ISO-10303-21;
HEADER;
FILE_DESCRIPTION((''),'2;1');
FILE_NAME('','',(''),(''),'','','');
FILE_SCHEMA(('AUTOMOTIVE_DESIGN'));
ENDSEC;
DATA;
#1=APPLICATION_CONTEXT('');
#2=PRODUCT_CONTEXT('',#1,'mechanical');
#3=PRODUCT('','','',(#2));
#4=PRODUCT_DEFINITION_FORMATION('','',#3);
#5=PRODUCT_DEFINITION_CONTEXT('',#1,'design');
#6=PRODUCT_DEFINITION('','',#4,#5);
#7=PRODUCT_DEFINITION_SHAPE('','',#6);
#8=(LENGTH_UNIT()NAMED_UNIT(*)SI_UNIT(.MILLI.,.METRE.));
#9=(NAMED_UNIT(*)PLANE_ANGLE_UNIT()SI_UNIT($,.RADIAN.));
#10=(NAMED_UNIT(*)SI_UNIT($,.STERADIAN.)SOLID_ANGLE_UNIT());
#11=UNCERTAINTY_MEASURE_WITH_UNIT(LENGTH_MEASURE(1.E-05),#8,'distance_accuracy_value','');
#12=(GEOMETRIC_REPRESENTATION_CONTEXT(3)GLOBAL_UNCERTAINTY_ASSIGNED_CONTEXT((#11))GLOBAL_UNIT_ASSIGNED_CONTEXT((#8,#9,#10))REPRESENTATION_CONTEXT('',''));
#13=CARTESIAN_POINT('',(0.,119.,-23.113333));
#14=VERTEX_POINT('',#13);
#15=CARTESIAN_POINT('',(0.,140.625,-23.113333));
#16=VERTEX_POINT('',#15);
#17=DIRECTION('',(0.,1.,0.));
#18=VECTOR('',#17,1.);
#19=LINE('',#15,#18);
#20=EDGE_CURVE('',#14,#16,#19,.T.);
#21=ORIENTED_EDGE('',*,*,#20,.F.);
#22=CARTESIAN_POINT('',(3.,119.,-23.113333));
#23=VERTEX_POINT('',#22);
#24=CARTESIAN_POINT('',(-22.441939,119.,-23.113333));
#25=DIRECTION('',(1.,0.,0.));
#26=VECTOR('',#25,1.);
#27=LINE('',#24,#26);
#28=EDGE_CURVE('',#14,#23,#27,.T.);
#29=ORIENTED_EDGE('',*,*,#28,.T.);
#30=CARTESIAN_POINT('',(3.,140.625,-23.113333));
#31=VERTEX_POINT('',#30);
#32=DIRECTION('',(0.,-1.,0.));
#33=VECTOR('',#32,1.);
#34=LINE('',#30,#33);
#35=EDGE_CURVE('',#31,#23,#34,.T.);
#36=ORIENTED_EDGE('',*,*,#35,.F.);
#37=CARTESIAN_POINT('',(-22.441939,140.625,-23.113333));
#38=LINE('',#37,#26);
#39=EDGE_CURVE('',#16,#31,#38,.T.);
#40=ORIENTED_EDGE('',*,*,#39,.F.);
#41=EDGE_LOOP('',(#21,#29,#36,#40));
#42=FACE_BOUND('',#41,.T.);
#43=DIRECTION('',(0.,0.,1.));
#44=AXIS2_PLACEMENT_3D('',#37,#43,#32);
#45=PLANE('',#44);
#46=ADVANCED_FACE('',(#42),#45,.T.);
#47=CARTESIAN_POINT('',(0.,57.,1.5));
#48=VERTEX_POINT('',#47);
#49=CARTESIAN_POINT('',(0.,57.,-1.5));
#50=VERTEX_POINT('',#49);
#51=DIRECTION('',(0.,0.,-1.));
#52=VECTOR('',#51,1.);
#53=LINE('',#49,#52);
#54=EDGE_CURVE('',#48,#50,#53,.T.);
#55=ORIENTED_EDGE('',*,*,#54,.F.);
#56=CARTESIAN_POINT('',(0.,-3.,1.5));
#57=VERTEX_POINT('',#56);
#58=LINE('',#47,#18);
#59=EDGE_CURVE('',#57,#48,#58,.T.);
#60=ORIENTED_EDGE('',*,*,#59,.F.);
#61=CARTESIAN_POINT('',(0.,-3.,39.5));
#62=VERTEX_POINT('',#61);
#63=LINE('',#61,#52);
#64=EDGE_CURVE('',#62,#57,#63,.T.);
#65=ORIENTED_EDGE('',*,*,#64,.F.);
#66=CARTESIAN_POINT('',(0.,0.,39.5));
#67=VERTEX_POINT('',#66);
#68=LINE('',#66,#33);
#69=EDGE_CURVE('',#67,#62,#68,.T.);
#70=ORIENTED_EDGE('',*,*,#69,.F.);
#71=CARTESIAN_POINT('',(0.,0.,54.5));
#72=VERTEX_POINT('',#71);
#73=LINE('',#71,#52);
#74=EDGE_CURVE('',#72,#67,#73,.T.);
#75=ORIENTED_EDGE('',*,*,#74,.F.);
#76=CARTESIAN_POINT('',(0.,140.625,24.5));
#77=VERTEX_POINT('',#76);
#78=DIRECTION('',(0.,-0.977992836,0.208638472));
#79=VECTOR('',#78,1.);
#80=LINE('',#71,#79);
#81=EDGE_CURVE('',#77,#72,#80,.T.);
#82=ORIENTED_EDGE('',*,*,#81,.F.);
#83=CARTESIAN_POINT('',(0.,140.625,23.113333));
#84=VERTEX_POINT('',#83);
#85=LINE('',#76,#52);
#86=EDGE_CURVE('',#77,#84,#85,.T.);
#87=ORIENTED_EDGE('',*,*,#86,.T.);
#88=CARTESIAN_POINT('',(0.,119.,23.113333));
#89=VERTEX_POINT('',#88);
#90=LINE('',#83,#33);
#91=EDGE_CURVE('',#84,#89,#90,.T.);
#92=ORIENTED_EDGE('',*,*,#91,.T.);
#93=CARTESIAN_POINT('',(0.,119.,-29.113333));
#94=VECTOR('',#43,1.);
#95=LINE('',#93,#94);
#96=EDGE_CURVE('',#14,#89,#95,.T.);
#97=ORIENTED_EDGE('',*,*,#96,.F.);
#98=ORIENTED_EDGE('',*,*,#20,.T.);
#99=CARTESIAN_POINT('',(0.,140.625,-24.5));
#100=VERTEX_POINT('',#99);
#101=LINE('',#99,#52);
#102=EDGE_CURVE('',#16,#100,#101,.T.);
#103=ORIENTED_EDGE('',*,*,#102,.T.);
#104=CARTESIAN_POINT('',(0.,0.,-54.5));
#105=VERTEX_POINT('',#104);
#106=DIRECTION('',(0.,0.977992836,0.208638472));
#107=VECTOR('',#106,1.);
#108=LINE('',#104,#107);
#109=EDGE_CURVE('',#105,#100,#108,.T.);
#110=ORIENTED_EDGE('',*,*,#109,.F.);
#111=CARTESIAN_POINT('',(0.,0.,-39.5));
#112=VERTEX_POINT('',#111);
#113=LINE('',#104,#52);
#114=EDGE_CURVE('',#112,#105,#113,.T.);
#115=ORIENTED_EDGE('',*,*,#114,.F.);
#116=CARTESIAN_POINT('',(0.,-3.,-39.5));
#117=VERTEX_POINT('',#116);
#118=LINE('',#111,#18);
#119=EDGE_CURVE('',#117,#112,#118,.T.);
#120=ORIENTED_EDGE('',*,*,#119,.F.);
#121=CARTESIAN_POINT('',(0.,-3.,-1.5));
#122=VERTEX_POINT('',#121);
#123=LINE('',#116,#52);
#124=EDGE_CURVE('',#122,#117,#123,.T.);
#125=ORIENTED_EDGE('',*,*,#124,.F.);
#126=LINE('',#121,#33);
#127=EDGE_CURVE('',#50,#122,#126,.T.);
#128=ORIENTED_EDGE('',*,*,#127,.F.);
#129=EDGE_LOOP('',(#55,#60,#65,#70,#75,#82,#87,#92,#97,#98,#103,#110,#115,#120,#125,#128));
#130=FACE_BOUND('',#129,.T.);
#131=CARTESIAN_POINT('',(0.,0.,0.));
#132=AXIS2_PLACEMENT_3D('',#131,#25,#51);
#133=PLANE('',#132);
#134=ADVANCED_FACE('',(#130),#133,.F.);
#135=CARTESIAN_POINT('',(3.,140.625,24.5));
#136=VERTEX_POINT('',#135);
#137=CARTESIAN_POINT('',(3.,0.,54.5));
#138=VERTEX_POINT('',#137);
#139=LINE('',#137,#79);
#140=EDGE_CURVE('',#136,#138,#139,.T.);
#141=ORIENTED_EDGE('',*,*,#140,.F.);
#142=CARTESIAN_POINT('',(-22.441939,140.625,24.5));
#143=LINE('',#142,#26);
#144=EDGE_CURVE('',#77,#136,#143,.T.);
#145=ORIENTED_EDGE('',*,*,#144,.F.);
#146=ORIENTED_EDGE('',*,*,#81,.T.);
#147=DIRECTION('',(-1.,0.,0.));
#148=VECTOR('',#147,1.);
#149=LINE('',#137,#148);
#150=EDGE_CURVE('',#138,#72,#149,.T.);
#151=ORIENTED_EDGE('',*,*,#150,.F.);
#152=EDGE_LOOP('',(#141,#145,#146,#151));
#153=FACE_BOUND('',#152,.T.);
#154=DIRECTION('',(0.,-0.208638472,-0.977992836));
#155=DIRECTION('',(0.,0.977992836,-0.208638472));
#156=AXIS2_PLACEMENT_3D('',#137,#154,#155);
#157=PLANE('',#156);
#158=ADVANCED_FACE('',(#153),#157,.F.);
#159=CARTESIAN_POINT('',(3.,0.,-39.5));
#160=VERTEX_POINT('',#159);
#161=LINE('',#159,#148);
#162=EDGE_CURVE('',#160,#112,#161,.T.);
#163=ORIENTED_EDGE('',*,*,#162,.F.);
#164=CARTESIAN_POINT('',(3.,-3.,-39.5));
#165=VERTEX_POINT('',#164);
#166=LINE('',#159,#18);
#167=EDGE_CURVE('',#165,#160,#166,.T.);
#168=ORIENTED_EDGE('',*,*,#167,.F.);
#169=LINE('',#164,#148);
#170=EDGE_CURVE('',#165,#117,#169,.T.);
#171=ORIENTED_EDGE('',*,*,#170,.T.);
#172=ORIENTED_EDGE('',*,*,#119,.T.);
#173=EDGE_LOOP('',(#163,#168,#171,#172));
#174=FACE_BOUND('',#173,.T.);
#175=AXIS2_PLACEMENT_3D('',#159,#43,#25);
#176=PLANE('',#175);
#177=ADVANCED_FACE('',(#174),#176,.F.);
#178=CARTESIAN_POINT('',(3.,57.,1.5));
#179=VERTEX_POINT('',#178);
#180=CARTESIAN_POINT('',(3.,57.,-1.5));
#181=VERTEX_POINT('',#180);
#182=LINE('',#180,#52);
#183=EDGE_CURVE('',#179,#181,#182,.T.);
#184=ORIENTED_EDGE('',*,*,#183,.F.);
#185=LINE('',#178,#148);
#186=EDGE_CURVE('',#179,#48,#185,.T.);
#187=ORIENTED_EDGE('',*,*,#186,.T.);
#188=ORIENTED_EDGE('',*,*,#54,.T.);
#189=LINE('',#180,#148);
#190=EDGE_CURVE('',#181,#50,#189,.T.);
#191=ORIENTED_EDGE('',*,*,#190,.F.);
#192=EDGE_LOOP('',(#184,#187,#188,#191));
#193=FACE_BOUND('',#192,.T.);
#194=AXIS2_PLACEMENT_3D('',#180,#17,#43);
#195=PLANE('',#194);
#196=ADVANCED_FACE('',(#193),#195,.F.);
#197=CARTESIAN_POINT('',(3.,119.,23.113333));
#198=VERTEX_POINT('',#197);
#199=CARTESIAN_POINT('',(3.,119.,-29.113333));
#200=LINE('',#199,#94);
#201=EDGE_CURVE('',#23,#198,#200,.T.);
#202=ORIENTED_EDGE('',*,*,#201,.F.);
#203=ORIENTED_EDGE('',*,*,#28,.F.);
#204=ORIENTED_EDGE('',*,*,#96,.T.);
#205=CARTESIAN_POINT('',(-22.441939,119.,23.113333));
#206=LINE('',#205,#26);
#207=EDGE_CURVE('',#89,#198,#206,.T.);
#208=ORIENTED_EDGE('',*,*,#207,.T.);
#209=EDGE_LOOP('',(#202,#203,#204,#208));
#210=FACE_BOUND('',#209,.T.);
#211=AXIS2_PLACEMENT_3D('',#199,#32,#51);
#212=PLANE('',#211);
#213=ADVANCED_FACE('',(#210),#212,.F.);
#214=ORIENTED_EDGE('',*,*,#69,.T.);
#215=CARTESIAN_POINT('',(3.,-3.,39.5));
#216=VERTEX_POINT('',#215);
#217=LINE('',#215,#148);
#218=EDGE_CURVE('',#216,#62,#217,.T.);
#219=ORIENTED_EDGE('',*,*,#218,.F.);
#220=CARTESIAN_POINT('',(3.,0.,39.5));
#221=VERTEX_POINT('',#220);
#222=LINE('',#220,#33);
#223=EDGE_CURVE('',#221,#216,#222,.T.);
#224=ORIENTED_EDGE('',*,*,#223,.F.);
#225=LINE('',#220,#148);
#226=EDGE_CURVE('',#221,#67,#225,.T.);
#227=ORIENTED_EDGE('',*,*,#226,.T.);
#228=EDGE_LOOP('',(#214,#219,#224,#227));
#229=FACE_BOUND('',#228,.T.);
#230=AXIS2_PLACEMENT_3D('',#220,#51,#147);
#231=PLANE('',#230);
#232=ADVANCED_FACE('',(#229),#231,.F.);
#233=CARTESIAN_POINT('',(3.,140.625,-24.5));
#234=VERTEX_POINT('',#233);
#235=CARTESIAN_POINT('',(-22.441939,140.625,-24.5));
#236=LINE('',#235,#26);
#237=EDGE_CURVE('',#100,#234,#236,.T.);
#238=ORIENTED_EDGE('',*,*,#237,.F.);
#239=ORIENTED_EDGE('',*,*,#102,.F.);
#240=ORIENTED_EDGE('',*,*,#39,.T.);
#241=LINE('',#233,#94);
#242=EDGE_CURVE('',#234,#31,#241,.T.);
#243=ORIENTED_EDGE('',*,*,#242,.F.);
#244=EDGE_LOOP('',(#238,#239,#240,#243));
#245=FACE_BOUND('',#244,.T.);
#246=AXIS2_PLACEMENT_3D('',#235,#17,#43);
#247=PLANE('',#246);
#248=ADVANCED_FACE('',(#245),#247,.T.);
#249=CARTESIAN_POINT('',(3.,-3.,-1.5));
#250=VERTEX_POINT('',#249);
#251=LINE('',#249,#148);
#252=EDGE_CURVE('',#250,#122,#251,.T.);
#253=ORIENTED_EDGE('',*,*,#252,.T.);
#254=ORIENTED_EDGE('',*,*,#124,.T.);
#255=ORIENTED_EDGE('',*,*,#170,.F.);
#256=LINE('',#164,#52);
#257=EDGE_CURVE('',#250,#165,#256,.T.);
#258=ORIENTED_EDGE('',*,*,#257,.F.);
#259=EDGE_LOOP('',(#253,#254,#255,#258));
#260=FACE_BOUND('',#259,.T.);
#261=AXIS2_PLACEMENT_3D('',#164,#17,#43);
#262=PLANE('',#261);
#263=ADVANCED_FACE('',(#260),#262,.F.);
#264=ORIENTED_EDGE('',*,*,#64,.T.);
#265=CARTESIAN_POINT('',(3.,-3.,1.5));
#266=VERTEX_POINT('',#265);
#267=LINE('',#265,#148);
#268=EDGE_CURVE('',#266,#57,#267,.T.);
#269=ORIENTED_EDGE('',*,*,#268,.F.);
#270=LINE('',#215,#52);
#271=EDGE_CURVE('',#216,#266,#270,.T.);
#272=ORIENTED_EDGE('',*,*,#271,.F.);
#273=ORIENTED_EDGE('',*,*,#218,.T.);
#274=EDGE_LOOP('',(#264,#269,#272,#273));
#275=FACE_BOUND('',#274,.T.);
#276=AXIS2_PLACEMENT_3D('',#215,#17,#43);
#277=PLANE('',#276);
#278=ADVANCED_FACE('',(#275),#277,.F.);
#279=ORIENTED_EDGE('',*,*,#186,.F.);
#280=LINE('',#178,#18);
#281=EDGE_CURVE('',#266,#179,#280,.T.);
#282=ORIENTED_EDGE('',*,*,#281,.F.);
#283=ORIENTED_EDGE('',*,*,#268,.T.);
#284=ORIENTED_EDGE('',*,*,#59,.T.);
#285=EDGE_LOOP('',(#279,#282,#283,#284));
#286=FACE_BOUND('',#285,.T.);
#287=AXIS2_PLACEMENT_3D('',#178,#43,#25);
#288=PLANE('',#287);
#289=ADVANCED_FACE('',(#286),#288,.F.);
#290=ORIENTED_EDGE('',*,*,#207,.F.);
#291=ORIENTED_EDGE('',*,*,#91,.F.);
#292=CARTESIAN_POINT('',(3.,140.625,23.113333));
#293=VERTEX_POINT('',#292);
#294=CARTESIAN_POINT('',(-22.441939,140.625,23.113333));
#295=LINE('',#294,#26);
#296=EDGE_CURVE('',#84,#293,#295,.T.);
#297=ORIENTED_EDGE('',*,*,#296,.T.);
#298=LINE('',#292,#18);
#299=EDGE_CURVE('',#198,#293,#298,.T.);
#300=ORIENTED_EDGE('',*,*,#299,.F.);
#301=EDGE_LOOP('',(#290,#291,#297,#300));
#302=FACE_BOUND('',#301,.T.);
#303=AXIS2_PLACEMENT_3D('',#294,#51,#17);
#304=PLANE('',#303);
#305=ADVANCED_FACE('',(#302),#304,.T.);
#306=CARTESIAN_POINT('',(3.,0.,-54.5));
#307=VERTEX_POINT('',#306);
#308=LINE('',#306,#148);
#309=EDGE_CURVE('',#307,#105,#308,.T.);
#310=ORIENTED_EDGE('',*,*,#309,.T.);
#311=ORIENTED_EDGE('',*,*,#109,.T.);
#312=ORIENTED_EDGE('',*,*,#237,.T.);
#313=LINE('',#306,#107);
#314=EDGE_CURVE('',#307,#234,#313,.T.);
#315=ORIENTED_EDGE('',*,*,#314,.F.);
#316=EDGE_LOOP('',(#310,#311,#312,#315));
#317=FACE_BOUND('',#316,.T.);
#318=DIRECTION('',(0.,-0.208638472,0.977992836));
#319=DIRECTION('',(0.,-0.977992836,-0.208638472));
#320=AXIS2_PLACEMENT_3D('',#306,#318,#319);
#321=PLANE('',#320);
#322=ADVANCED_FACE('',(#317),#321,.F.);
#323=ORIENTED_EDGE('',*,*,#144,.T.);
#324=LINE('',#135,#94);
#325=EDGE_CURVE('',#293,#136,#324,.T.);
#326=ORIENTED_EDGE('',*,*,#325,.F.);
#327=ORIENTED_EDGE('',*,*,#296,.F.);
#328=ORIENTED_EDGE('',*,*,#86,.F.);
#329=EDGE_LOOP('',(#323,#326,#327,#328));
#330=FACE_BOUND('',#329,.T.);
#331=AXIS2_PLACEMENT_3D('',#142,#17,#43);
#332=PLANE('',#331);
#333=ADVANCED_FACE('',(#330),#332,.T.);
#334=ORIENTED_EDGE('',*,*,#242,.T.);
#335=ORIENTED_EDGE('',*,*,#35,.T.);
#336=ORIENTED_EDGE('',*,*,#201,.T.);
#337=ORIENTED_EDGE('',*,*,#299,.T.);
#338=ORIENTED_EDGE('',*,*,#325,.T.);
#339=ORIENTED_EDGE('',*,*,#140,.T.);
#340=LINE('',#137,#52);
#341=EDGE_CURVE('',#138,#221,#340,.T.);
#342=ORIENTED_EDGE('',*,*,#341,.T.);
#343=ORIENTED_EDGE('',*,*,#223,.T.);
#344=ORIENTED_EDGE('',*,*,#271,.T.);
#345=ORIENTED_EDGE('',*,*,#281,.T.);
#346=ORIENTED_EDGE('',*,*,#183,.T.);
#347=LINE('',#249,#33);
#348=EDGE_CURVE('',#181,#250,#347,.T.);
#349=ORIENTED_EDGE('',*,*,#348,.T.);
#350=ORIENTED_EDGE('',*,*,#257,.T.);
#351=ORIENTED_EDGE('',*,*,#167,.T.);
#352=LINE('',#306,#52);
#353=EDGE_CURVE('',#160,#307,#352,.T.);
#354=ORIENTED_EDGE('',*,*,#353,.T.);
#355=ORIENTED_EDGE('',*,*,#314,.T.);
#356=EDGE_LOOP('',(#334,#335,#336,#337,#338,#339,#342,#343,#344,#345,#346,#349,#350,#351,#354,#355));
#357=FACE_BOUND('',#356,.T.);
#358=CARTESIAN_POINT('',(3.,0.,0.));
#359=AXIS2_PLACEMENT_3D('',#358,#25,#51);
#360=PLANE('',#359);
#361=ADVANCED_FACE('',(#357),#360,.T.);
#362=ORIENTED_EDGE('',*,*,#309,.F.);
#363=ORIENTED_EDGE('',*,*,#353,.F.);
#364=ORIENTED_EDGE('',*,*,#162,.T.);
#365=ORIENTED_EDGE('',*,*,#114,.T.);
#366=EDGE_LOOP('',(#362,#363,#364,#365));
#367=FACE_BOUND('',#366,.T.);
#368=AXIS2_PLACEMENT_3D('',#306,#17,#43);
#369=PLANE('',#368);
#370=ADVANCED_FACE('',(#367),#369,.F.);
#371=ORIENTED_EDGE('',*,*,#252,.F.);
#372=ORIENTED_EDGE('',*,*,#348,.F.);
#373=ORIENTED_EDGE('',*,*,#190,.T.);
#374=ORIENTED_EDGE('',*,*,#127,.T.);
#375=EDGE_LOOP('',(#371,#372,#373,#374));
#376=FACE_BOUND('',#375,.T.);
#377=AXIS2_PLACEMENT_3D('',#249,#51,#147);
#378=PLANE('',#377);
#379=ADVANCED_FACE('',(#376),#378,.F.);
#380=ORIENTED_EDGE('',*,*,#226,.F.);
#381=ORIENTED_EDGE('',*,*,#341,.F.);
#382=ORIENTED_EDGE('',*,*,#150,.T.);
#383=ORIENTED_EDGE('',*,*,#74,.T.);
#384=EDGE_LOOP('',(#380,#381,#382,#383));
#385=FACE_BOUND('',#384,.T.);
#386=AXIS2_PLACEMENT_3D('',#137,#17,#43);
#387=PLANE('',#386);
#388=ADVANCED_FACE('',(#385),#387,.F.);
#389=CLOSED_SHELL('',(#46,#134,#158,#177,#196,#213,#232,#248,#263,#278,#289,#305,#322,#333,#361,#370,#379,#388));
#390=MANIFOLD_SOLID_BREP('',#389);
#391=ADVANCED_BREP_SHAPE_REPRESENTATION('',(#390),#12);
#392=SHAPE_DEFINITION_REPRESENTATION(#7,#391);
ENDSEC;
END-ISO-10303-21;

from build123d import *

# Parameters (mm, degrees)
EXTRUDE_1_DEPTH     = 3
BOSS_EXTRUDE1_DEPTH = 3


with BuildPart() as part:
    # Эскиз1 → Бобышка-Вытянуть1 (new body)
    with BuildSketch(Plane(origin=(0, 0, 0), x_dir=(0, 0, -1), z_dir=(1, 0, 0))):
        Polygon((54.5, 0), (29.113333333, 119), (-29.113333333, 119), (-54.5, 0), (-39.5, 0), (-39.5, -3), (-1.5, -3), (-1.5, 57), (1.5, 57), (1.5, -3), (39.5, -3), (39.5, 0), align=None)
    extrude(amount=EXTRUDE_1_DEPTH)

    # Sketch1 → Boss-Extrude1 (add)
    with BuildSketch(Plane(origin=(3, 0, 0), x_dir=(0, 0, -1), z_dir=(1, 0, 0))):
        Polygon((-29.113333333, 119), (-24.5, 140.625), (-23.113333333, 140.625), (-23.113333333, 119), align=None)
        Polygon((29.113333333, 119), (24.5, 140.625), (23.113333333, 140.625), (23.113333333, 119), align=None)
    extrude(amount=-BOSS_EXTRUDE1_DEPTH)


solid = part.part
